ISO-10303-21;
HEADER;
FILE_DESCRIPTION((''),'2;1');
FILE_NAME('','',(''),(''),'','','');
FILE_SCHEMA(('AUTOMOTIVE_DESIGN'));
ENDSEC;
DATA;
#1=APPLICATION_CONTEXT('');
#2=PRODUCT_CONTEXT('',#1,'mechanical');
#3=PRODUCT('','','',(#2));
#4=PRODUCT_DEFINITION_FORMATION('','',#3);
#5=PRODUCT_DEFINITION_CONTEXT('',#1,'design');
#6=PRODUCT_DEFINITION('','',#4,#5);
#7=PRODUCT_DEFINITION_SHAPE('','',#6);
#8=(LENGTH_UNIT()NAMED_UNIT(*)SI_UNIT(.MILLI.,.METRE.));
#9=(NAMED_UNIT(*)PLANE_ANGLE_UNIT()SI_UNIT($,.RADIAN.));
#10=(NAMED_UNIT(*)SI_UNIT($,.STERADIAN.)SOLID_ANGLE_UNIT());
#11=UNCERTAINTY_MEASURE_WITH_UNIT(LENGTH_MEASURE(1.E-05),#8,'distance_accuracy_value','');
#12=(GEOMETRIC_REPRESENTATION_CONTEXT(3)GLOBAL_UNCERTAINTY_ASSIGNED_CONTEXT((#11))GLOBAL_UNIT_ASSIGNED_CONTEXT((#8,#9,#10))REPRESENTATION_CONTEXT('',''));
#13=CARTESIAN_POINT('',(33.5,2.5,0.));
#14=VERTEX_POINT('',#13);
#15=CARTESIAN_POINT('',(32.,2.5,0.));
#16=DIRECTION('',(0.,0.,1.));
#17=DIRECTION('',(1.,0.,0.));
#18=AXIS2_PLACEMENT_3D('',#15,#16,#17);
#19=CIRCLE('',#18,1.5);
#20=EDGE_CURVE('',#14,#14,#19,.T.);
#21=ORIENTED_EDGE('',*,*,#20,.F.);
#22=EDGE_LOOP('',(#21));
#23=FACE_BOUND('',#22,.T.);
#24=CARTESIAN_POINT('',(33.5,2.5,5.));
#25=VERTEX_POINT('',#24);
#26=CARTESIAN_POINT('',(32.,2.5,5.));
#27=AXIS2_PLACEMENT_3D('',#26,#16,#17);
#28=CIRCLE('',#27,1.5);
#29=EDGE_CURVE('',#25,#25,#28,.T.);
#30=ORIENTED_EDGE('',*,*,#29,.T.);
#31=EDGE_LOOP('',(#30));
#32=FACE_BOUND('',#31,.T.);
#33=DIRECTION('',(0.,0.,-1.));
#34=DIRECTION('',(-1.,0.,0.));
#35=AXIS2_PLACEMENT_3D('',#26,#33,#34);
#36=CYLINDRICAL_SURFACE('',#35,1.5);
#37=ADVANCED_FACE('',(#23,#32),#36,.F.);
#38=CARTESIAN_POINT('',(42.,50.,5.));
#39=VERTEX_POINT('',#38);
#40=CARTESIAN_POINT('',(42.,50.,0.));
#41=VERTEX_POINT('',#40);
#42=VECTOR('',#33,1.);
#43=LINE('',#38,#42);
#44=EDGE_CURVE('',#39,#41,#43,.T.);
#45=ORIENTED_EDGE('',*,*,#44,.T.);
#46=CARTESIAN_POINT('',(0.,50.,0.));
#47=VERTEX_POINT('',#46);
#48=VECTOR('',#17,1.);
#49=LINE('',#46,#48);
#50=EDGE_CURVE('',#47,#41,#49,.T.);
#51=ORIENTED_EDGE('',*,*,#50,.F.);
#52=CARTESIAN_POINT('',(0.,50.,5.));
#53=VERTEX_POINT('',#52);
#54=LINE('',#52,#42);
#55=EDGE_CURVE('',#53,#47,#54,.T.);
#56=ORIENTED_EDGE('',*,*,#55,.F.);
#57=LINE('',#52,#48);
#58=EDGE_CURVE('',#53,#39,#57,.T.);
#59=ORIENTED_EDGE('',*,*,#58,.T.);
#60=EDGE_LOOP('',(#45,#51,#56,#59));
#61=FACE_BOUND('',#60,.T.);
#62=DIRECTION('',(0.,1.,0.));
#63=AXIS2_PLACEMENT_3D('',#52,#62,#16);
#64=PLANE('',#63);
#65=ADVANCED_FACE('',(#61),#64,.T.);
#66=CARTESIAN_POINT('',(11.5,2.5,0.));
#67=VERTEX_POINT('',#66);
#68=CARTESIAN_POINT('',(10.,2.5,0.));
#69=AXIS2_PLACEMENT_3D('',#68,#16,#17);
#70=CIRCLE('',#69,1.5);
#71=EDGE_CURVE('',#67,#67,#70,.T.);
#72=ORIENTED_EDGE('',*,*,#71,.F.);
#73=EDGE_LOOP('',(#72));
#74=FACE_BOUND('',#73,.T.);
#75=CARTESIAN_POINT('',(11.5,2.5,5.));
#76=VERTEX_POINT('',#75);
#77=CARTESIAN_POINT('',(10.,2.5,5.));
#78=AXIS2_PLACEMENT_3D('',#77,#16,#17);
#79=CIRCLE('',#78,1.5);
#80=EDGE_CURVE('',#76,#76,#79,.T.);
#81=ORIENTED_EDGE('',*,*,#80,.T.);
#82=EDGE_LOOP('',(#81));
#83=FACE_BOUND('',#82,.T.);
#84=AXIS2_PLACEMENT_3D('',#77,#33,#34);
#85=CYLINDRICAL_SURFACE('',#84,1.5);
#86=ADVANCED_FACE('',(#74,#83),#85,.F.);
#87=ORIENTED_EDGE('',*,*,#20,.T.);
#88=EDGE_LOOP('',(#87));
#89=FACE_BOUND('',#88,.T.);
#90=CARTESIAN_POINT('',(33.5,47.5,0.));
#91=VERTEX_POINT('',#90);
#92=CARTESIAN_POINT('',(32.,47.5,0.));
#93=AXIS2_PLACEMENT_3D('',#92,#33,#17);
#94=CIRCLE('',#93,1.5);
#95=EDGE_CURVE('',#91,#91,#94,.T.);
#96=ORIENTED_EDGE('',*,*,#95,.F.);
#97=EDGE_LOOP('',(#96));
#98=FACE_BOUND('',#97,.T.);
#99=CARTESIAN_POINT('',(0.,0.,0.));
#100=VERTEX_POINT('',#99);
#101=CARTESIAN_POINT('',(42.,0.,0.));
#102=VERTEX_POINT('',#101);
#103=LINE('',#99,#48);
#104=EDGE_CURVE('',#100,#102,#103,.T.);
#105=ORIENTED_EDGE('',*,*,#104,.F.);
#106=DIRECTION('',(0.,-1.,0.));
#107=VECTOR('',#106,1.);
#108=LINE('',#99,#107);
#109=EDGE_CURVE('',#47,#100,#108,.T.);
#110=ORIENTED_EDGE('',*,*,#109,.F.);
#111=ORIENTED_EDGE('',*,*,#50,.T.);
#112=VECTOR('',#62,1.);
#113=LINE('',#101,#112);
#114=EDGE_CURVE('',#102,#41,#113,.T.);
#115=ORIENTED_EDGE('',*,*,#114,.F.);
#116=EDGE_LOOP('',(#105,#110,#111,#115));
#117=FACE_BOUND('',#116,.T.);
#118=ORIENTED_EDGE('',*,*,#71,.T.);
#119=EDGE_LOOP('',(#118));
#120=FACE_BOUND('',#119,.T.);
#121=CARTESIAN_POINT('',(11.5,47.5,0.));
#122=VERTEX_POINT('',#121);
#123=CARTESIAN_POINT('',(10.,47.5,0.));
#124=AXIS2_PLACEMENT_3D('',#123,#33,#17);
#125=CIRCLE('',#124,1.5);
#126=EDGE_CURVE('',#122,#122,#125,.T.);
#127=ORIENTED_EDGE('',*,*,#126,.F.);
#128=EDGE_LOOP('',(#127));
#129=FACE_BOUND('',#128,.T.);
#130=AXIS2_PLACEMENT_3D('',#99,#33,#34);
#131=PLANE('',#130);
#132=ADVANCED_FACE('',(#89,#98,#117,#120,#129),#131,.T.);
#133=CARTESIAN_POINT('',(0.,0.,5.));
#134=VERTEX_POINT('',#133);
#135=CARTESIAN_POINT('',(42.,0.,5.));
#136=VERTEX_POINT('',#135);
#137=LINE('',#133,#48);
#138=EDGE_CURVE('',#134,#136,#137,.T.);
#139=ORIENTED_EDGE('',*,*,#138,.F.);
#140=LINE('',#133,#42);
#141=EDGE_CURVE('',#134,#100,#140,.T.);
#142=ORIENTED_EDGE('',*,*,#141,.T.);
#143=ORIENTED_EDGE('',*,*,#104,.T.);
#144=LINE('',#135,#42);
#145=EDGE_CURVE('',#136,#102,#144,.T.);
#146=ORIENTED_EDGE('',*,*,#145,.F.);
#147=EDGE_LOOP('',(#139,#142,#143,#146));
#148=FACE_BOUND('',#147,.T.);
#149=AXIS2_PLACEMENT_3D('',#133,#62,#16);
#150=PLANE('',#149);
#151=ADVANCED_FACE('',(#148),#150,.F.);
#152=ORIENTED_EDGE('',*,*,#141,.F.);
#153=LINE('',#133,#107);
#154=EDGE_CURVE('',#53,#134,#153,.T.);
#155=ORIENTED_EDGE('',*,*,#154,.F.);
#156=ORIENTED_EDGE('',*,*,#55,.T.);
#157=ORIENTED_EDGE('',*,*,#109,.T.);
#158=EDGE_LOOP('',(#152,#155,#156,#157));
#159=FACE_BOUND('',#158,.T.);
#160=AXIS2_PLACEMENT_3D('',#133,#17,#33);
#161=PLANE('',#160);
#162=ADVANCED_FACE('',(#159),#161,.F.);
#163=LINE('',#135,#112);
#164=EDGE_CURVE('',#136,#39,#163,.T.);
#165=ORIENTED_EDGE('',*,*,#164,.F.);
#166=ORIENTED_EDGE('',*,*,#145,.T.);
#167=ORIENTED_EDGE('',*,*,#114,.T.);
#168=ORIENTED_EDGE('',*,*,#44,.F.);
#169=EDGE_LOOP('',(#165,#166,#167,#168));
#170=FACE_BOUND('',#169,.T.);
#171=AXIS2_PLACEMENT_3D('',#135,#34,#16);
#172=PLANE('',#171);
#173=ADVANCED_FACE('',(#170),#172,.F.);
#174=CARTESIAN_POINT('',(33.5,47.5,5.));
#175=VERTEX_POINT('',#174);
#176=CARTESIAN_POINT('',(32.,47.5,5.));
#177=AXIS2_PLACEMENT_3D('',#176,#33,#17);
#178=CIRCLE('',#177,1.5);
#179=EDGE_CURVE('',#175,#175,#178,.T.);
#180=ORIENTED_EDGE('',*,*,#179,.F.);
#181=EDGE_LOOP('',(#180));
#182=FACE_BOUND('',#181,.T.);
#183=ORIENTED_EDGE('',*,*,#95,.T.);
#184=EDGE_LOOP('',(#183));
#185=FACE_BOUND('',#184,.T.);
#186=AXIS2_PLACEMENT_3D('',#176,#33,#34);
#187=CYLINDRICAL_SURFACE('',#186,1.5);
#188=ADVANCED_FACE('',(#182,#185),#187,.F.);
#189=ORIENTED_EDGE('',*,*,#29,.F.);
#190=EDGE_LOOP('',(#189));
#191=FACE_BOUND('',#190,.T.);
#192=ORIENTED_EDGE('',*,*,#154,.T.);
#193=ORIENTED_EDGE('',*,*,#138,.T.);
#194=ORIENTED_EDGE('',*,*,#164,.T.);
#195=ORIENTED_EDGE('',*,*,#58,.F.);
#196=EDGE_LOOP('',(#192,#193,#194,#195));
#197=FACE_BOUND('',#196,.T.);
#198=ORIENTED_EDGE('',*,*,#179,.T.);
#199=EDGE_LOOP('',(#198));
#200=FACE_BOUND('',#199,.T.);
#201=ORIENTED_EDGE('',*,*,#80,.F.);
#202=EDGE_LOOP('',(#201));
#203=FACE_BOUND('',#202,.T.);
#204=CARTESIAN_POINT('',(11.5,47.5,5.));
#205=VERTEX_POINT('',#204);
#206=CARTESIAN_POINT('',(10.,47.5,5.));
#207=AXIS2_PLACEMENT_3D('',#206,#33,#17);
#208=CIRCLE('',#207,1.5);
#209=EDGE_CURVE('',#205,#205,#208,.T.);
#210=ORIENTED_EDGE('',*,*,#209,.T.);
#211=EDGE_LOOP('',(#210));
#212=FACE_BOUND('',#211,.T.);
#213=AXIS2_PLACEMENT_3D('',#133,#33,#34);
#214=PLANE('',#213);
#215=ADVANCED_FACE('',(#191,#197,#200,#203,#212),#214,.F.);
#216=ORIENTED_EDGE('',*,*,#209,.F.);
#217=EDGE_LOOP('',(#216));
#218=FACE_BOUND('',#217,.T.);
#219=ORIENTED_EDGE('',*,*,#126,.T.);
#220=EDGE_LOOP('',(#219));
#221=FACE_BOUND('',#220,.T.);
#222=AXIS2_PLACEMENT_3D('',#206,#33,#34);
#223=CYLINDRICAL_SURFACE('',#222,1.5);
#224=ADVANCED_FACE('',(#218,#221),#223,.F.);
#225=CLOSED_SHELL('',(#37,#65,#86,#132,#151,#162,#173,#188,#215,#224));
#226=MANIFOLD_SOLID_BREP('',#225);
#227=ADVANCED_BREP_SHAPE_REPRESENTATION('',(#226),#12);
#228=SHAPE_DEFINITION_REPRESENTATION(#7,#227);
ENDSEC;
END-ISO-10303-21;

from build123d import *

# Parameters (mm, degrees)
SKETCH1_W           = 42
SKETCH1_H           = 25
SKETCH1_R           = 1.5
BOSS_EXTRUDE1_DEPTH = 5


with BuildPart() as part:
    # Sketch1 → Boss-Extrude1 (new body)
    with BuildSketch(Plane.XY):
        with Locations((21, 12.5)):
            Rectangle(SKETCH1_W, SKETCH1_H)
        with Locations((10, 2.5)):
            Circle(SKETCH1_R, mode=Mode.SUBTRACT)
        with Locations((32, 2.5)):
            Circle(SKETCH1_R, mode=Mode.SUBTRACT)
    boss_extrude1 = extrude(amount=BOSS_EXTRUDE1_DEPTH)

    # Mirror1: Boss-Extrude1 across plane
    add(boss_extrude1.mirror(Plane(origin=(0, 25, 5), x_dir=(0, 0, 1), z_dir=(0, -1, 0))))


solid = part.part
